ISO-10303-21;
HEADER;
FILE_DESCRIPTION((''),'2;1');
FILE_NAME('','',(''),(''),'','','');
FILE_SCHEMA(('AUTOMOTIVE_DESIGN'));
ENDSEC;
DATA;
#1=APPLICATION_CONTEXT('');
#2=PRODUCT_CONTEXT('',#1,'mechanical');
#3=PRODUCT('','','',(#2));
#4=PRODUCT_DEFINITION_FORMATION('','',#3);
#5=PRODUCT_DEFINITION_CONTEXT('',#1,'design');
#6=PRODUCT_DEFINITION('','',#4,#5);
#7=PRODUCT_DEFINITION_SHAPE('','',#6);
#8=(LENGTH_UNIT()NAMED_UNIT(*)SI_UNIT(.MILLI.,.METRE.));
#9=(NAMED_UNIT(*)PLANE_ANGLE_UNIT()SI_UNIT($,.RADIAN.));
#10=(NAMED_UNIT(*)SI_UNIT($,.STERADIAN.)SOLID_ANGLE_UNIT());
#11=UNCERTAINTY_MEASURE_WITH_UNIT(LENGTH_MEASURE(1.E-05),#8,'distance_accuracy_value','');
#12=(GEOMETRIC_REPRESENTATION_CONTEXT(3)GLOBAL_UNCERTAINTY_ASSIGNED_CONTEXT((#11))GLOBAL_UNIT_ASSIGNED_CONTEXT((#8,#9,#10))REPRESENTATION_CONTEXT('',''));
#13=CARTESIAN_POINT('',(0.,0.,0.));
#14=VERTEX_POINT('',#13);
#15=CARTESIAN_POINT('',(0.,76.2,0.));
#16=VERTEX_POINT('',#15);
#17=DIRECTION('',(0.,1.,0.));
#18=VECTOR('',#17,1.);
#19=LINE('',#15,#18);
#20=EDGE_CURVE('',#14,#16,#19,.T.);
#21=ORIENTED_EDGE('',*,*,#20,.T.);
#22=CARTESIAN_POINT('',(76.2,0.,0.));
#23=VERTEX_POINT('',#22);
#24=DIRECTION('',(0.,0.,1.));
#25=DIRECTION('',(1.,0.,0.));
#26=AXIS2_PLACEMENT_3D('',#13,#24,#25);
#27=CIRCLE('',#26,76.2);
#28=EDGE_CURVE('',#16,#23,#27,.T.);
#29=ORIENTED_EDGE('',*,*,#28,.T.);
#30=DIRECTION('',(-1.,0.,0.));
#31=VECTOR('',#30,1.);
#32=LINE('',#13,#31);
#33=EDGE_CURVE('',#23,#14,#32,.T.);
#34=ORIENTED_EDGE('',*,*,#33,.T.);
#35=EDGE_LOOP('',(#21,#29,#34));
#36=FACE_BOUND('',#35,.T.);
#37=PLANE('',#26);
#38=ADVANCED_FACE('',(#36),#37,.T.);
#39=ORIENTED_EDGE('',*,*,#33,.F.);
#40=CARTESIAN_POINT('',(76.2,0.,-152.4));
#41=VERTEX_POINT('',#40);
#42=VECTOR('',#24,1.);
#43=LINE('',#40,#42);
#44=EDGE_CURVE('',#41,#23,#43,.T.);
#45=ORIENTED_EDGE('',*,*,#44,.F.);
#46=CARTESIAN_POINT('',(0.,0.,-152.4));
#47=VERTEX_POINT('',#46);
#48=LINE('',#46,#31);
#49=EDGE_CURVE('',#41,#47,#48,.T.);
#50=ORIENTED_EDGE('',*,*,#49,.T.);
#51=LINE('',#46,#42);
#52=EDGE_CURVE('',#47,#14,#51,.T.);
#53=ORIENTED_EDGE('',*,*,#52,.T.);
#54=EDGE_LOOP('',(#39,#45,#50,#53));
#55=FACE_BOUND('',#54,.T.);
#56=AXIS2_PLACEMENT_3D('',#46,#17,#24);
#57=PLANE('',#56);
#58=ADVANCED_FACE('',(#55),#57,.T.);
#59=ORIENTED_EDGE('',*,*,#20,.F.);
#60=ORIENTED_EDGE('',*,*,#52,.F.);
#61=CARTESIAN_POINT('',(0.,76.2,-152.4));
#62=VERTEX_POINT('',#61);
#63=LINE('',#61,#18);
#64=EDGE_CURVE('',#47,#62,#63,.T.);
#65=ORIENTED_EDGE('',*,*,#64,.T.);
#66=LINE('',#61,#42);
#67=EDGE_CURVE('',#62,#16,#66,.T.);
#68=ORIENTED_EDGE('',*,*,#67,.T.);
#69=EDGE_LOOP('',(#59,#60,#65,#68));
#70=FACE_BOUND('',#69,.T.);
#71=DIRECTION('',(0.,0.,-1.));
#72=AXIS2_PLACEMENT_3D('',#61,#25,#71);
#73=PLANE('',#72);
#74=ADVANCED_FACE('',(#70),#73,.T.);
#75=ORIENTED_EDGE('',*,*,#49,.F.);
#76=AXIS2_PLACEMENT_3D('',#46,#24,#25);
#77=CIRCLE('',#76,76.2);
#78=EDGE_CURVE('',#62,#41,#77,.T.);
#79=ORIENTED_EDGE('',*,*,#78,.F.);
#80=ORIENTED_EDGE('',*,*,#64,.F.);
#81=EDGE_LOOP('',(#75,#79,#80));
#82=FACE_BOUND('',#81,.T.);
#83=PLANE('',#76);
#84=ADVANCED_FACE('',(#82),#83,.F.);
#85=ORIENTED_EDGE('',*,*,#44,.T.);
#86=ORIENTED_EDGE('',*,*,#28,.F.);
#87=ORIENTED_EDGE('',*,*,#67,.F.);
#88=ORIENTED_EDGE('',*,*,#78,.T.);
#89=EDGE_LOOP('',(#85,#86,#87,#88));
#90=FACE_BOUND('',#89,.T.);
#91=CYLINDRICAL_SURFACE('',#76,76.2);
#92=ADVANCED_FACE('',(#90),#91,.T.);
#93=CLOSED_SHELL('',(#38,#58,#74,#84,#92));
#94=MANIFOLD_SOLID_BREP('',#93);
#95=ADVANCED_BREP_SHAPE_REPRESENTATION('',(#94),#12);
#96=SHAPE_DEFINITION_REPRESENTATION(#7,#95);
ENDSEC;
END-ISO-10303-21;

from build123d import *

# Parameters (mm, degrees)
BOSS_EXTRUDE1_DEPTH = 152.4


with BuildPart() as part:
    # Sketch1 → Boss-Extrude1 (new body)
    with BuildSketch(Plane.XY):
        with BuildLine():
            Line((0, 76.2), (0, 0))
            Line((0, 0), (76.2, 0))
            ThreePointArc((76.2, 0), (-53.881536726, -53.881536726), (0, 76.2))
        make_face()
    extrude(amount=-BOSS_EXTRUDE1_DEPTH)


solid = part.part
